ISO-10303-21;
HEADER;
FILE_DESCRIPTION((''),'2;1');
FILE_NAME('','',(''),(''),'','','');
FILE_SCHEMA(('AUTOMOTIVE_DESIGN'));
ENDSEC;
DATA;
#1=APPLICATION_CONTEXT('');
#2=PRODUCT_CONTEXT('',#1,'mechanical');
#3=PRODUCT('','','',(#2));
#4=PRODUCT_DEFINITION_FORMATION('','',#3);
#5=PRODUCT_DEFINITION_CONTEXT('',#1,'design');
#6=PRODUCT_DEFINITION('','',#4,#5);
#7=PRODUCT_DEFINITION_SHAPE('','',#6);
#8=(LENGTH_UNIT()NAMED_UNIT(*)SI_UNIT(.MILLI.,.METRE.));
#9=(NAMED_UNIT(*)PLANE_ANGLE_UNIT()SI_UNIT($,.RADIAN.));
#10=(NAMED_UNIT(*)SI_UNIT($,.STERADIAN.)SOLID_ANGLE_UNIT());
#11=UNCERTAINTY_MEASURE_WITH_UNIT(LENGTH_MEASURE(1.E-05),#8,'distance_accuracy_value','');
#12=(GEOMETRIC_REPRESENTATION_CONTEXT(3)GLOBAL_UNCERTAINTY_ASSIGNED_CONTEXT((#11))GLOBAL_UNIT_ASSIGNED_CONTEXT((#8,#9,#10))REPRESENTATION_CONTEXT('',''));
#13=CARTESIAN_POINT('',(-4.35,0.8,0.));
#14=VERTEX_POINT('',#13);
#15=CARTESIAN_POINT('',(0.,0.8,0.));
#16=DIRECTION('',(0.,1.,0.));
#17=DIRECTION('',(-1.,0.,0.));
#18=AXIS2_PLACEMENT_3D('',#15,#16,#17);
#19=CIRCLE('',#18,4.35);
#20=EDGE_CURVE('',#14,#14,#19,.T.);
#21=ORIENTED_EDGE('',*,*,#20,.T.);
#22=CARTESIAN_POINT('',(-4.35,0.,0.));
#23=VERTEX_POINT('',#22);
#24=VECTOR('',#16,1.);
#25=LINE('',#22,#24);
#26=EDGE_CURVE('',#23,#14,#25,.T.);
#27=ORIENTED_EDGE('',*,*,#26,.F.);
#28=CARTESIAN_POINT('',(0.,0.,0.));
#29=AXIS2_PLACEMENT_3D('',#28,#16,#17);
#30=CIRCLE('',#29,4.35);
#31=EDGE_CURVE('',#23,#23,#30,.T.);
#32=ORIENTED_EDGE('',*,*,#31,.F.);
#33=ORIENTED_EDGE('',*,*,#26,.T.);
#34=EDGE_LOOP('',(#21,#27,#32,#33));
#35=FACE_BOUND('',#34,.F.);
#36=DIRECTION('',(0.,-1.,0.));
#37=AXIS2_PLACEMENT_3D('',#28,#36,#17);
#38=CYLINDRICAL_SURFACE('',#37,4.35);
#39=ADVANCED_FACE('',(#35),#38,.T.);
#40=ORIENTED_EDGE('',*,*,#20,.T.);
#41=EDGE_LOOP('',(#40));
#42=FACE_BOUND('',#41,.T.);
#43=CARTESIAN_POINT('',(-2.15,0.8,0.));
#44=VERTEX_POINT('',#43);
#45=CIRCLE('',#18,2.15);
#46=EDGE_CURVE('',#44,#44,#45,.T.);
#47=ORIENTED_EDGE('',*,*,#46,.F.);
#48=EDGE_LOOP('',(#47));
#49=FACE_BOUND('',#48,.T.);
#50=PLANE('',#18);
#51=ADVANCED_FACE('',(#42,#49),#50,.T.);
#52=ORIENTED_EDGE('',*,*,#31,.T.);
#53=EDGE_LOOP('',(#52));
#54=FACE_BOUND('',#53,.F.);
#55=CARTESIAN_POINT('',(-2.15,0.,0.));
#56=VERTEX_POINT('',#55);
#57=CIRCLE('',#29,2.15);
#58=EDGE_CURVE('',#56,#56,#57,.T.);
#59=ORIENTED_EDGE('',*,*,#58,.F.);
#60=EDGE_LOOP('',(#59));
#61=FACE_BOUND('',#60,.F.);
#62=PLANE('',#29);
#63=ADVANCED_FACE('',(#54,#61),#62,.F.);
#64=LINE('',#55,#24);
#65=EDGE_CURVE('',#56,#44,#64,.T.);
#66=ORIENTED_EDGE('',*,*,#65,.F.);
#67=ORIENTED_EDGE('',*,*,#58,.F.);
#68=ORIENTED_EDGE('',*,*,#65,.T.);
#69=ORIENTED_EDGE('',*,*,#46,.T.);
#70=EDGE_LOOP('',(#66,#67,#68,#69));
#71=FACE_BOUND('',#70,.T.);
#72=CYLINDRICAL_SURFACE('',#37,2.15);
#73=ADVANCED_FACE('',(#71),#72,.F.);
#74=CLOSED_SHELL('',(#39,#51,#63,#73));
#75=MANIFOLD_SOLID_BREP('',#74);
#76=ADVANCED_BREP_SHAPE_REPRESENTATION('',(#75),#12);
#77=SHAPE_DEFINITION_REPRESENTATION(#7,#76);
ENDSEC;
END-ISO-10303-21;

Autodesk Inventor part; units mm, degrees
ref_plane "YZ Plane" through (0, 0, 0) normal (1, 0, 0) x (0, 1, 0)
ref_plane "XZ Plane" through (0, 0, 0) normal (0, 1, 0) x (-1, 0, 0)
ref_plane "XY Plane" through (0, 0, 0) normal (0, 0, 1) x (1, 0, 0)
sketch "Sketch1" plane through (0, 0, 0) normal (0, 1, 0) x (-1, 0, 0)
  circle A0 centre (0, 0) radius 4.35
  circle A1 centre (0, 0) radius 2.15
  dimension "d0" = 8.7
  dimension "d1" = 4.3
extrude "Extrusion1" add sketch "Sketch1" along normal blind 0.8
properties part number "M4Washer" material "Stainless Steel"
